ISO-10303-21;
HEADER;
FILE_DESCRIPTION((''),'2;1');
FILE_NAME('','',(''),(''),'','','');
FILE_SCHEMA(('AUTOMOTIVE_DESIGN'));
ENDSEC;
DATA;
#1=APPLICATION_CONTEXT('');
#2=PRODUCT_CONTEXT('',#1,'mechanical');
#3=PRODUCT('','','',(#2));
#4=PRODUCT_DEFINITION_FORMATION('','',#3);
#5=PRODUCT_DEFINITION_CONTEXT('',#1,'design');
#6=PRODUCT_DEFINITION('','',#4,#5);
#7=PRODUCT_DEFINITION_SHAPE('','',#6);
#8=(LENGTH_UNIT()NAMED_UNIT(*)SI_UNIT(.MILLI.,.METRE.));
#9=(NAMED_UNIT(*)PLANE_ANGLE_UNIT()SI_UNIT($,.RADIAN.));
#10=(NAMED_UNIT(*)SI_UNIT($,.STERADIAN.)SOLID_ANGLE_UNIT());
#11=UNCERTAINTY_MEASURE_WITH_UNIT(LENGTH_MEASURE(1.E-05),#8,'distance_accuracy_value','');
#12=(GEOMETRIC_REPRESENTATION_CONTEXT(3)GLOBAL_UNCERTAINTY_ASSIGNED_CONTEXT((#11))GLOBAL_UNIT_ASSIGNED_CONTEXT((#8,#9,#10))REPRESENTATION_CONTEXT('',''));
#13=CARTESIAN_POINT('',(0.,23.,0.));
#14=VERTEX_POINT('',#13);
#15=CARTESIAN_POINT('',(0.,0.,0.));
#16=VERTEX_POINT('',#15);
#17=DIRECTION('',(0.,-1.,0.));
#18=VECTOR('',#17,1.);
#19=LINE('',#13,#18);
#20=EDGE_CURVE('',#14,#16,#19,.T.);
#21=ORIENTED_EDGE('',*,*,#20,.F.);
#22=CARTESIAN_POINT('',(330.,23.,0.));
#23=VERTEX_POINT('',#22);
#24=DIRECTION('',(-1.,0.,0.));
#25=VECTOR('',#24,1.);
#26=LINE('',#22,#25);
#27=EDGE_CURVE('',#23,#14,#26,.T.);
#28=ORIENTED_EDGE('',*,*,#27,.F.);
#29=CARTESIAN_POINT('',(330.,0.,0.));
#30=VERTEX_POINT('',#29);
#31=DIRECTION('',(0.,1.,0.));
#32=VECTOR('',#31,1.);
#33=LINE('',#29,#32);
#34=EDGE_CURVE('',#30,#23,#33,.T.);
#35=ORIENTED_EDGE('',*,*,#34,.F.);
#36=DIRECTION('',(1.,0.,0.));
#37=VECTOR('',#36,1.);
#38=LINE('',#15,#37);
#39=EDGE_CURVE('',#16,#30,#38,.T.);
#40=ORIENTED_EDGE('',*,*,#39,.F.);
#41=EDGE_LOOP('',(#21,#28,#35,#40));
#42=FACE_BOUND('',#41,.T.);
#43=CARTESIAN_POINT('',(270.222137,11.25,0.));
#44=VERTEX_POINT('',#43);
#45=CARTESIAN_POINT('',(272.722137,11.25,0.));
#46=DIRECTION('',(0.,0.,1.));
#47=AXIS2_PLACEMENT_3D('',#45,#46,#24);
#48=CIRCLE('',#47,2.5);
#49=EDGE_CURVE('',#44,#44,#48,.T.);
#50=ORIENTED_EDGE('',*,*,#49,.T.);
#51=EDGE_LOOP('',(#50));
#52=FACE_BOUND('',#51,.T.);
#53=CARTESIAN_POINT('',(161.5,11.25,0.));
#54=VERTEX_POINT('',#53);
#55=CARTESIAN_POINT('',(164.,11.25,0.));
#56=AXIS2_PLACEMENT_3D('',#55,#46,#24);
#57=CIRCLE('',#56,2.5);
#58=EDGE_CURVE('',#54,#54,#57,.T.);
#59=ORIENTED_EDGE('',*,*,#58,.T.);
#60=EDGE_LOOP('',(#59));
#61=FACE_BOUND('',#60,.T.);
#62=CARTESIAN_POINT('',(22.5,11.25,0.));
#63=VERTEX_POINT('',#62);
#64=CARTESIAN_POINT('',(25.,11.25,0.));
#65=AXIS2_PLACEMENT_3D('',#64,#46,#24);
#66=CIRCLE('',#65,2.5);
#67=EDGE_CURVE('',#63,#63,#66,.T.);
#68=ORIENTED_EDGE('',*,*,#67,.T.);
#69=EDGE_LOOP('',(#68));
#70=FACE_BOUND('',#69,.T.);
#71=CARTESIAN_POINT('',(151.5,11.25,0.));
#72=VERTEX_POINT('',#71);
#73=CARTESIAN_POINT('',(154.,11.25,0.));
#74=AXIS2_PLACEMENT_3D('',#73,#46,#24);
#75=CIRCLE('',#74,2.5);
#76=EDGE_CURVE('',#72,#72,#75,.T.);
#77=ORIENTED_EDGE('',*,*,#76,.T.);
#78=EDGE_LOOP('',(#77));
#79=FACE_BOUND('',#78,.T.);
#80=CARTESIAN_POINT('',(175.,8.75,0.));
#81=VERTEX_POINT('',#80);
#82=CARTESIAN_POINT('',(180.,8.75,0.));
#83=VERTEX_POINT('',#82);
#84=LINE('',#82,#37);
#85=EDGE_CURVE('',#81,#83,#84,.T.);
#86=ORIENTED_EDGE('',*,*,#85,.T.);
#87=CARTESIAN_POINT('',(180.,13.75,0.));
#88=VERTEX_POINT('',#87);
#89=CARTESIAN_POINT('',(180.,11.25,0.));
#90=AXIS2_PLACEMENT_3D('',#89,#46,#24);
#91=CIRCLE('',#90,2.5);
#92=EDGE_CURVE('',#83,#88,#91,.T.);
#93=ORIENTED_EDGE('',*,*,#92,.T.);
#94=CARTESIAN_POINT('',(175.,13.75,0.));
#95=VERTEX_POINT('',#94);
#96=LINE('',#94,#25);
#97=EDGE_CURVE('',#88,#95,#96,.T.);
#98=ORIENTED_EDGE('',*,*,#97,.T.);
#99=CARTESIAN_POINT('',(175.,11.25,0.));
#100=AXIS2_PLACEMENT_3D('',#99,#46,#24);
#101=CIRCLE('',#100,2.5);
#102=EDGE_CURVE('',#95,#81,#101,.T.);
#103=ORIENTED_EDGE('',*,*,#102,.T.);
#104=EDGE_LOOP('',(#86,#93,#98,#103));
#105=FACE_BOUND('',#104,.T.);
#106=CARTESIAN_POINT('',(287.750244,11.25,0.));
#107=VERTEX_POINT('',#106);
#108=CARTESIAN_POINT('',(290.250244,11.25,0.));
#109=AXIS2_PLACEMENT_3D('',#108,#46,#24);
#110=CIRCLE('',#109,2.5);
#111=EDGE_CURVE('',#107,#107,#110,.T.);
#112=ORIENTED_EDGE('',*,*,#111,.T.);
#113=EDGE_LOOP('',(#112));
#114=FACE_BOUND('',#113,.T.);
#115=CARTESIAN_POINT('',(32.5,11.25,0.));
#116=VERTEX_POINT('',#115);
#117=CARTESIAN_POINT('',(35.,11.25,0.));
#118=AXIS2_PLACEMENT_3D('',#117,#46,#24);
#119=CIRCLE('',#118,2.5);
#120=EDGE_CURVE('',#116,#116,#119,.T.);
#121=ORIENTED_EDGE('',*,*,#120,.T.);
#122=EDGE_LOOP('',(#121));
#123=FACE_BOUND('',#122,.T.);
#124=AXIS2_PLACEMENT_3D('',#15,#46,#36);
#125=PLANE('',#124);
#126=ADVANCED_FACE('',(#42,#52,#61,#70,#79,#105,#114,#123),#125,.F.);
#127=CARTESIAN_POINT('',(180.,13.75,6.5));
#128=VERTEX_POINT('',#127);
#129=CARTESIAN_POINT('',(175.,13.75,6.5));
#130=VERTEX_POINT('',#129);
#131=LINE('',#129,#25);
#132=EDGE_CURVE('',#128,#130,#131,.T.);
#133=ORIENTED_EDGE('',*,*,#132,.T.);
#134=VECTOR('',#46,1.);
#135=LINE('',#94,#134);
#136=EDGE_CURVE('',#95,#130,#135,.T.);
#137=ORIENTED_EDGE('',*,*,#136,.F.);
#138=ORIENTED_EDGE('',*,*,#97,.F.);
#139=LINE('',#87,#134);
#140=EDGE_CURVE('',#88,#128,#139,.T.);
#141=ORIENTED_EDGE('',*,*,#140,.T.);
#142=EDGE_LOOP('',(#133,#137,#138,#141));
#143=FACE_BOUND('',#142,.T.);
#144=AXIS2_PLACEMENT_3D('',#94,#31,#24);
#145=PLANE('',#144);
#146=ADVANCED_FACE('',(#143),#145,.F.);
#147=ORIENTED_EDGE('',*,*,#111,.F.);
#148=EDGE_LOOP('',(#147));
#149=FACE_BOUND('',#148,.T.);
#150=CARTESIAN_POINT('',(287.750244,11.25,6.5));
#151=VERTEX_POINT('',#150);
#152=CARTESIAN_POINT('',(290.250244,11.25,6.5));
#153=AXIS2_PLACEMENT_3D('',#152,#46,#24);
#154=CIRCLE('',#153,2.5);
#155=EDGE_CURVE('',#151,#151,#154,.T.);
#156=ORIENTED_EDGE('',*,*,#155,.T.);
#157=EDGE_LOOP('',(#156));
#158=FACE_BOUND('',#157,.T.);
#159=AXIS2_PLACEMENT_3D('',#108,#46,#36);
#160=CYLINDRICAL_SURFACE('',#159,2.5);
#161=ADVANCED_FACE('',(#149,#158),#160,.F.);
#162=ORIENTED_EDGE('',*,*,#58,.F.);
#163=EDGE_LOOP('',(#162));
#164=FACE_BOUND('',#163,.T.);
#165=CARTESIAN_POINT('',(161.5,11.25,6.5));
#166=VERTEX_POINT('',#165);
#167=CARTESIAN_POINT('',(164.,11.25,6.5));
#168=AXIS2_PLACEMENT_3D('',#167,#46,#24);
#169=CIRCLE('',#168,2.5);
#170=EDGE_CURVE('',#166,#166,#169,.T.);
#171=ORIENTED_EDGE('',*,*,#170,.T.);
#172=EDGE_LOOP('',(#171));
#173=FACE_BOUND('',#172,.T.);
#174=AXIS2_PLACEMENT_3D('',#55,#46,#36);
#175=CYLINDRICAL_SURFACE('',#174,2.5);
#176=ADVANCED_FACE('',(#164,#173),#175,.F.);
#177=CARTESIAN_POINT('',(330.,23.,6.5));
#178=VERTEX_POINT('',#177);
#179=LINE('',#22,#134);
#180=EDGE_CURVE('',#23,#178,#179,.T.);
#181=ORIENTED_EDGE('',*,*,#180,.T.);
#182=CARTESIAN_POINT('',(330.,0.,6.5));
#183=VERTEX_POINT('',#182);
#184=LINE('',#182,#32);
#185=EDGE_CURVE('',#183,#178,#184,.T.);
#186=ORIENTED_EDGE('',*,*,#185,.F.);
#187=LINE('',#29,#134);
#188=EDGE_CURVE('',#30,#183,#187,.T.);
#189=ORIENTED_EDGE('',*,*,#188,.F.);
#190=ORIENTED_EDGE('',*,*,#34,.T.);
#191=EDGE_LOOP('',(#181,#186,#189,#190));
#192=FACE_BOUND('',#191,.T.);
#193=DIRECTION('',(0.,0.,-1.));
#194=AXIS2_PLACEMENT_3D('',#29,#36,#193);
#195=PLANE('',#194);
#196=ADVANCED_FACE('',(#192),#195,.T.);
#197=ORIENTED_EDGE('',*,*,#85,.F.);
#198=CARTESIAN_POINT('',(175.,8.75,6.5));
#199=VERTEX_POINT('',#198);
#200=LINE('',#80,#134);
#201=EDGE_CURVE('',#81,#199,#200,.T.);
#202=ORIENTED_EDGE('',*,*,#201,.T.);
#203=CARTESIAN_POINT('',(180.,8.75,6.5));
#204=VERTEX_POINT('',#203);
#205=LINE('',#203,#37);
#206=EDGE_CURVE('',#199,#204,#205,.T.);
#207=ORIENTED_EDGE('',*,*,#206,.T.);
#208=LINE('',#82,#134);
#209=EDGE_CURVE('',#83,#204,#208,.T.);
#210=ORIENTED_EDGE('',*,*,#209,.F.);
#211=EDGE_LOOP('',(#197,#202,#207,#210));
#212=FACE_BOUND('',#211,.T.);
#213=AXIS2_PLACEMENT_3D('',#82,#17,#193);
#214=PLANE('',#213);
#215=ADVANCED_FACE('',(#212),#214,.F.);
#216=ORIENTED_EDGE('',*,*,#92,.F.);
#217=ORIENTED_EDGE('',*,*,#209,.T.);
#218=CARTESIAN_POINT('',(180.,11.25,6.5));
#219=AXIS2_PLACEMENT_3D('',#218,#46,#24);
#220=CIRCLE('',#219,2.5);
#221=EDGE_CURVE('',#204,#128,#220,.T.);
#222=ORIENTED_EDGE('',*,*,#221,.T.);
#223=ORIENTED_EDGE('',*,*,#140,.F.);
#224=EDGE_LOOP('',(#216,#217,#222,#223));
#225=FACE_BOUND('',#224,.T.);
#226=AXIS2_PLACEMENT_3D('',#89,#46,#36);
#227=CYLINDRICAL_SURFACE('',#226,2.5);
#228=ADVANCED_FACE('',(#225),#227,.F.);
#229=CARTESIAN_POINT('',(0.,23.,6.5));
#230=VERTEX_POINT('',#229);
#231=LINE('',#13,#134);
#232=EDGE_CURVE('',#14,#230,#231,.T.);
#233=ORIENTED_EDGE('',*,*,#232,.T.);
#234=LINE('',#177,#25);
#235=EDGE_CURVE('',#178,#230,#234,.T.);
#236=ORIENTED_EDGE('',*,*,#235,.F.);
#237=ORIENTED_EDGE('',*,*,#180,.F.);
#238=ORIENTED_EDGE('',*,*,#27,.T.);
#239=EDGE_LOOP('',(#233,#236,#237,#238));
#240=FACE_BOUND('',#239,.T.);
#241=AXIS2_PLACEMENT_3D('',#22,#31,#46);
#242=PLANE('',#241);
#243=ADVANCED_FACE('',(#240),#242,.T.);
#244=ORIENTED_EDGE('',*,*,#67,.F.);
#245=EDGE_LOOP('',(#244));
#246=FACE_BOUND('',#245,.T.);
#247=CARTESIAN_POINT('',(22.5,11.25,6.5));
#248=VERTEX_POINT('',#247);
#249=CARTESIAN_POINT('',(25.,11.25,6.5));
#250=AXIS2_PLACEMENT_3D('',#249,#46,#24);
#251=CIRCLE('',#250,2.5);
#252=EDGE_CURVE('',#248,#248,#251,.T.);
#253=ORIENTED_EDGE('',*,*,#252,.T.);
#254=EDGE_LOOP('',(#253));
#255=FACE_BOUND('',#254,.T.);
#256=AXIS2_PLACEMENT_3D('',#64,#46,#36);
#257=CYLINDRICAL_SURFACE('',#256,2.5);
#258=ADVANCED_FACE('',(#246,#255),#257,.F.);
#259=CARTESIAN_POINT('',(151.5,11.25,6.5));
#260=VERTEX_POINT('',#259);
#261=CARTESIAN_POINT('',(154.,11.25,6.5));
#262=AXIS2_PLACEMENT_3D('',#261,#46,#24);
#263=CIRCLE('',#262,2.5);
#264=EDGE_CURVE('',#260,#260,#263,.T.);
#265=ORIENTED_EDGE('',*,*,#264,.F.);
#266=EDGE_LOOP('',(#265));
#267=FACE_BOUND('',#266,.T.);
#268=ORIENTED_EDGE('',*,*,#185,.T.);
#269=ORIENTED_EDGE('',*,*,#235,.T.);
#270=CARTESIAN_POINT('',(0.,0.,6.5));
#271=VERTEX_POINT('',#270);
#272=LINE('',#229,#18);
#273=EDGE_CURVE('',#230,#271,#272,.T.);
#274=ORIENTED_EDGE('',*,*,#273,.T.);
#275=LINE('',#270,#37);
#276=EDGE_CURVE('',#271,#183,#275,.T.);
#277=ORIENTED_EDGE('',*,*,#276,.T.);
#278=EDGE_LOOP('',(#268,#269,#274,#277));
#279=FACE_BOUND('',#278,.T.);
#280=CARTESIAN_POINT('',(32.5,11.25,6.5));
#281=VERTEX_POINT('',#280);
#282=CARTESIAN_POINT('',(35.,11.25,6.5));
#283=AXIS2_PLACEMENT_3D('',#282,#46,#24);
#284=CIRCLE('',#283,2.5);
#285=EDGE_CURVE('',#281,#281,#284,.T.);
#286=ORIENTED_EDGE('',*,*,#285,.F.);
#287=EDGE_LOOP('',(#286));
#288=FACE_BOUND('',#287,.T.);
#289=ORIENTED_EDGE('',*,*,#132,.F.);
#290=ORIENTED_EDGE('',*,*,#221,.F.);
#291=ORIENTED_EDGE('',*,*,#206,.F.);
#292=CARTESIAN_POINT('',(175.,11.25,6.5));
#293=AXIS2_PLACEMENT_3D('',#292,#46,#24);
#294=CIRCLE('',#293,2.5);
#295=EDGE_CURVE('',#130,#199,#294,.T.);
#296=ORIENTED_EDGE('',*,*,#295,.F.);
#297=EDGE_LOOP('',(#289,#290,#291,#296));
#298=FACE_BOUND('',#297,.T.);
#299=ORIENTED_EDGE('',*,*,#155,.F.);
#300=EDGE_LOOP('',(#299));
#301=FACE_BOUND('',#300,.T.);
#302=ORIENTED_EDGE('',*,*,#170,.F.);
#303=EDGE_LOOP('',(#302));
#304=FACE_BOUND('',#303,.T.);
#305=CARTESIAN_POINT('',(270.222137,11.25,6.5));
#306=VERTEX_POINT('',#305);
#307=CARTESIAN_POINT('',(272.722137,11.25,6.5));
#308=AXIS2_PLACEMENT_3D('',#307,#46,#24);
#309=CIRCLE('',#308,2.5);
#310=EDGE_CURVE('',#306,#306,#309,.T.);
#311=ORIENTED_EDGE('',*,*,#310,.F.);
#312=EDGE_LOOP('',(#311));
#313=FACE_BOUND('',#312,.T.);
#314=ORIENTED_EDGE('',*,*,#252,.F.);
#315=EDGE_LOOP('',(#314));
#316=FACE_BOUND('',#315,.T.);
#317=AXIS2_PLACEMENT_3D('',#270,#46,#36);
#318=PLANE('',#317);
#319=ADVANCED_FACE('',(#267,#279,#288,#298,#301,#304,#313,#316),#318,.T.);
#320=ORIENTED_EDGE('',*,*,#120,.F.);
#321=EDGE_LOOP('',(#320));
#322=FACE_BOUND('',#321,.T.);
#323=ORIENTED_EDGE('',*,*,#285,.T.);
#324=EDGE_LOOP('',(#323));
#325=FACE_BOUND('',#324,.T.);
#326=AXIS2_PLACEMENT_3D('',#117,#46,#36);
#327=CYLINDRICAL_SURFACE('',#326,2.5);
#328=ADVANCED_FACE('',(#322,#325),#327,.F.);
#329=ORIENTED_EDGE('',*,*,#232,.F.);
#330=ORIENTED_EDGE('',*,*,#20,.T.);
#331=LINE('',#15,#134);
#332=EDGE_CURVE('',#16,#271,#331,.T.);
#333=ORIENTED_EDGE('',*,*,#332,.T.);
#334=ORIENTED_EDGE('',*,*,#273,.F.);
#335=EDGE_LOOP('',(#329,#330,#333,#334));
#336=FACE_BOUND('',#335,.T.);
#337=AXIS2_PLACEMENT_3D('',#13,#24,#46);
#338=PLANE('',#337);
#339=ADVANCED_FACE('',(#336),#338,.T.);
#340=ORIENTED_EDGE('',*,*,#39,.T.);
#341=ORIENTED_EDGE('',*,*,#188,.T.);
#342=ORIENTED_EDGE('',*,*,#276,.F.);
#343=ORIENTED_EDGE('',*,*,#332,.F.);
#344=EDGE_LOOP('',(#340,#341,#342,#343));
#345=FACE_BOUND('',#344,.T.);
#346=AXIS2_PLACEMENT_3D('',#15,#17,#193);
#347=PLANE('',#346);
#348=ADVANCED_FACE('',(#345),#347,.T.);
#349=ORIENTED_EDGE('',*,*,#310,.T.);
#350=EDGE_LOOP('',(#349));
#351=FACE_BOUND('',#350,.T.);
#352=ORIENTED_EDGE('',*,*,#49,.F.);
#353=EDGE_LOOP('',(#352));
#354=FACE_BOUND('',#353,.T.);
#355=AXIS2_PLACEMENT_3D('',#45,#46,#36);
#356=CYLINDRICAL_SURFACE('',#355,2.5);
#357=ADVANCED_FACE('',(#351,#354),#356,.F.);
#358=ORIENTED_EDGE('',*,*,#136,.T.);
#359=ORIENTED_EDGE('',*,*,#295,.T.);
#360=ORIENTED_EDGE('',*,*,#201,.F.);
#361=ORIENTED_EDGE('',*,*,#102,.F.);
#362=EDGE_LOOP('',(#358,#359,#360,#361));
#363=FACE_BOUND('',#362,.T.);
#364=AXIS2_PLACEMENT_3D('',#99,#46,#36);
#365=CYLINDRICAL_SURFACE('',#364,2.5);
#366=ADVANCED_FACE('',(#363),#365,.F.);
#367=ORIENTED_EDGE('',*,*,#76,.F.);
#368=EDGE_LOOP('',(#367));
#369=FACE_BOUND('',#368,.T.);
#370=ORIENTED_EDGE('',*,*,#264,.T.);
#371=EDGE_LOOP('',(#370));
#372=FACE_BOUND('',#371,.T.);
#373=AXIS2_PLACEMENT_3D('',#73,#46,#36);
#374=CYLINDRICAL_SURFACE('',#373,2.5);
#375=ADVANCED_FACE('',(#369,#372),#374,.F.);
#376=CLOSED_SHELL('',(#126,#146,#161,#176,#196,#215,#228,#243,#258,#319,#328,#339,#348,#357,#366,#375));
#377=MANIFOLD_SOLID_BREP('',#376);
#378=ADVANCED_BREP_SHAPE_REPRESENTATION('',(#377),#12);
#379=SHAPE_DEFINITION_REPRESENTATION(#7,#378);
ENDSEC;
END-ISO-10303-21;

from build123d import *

# Parameters (mm, degrees)
SKETCH_1_W      = 330
SKETCH_1_H      = 23
SKETCH_1_R      = 2.5
EXTRUDE_1_DEPTH = 6.5


with BuildPart() as part:
    # Эскиз1 → Бобышка-Вытянуть1 (new body)
    with BuildSketch(Plane.XY.offset(6.5)):
        with Locations((165, 11.5)):
            Rectangle(SKETCH_1_W, SKETCH_1_H)
        with Locations(Location((35, 11.25, 0), (0, 0, 180))):
            Circle(SKETCH_1_R, mode=Mode.SUBTRACT)
        with Locations(Location((25, 11.25, 0), (0, 0, 180))):
            Circle(SKETCH_1_R, mode=Mode.SUBTRACT)
        with Locations(Location((164, 11.25, 0), (0, 0, 180))):
            Circle(SKETCH_1_R, mode=Mode.SUBTRACT)
        with Locations(Location((154, 11.25, 0), (0, 0, 180))):
            Circle(SKETCH_1_R, mode=Mode.SUBTRACT)
        with Locations(Location((272.722137, 11.25, 0), (0, 0, 180))):
            Circle(SKETCH_1_R, mode=Mode.SUBTRACT)
        with Locations(Location((290.250244, 11.25, 0), (0, 0, 180))):
            Circle(SKETCH_1_R, mode=Mode.SUBTRACT)
        with BuildLine():
            Line((180, 8.75), (175, 8.75))
            ThreePointArc((175, 8.75), (172.5, 11.25), (175, 13.75))
            Line((175, 13.75), (180, 13.75))
            ThreePointArc((180, 13.75), (182.5, 11.25), (180, 8.75))
        make_face(mode=Mode.SUBTRACT)
    extrude(amount=-EXTRUDE_1_DEPTH)


solid = part.part
